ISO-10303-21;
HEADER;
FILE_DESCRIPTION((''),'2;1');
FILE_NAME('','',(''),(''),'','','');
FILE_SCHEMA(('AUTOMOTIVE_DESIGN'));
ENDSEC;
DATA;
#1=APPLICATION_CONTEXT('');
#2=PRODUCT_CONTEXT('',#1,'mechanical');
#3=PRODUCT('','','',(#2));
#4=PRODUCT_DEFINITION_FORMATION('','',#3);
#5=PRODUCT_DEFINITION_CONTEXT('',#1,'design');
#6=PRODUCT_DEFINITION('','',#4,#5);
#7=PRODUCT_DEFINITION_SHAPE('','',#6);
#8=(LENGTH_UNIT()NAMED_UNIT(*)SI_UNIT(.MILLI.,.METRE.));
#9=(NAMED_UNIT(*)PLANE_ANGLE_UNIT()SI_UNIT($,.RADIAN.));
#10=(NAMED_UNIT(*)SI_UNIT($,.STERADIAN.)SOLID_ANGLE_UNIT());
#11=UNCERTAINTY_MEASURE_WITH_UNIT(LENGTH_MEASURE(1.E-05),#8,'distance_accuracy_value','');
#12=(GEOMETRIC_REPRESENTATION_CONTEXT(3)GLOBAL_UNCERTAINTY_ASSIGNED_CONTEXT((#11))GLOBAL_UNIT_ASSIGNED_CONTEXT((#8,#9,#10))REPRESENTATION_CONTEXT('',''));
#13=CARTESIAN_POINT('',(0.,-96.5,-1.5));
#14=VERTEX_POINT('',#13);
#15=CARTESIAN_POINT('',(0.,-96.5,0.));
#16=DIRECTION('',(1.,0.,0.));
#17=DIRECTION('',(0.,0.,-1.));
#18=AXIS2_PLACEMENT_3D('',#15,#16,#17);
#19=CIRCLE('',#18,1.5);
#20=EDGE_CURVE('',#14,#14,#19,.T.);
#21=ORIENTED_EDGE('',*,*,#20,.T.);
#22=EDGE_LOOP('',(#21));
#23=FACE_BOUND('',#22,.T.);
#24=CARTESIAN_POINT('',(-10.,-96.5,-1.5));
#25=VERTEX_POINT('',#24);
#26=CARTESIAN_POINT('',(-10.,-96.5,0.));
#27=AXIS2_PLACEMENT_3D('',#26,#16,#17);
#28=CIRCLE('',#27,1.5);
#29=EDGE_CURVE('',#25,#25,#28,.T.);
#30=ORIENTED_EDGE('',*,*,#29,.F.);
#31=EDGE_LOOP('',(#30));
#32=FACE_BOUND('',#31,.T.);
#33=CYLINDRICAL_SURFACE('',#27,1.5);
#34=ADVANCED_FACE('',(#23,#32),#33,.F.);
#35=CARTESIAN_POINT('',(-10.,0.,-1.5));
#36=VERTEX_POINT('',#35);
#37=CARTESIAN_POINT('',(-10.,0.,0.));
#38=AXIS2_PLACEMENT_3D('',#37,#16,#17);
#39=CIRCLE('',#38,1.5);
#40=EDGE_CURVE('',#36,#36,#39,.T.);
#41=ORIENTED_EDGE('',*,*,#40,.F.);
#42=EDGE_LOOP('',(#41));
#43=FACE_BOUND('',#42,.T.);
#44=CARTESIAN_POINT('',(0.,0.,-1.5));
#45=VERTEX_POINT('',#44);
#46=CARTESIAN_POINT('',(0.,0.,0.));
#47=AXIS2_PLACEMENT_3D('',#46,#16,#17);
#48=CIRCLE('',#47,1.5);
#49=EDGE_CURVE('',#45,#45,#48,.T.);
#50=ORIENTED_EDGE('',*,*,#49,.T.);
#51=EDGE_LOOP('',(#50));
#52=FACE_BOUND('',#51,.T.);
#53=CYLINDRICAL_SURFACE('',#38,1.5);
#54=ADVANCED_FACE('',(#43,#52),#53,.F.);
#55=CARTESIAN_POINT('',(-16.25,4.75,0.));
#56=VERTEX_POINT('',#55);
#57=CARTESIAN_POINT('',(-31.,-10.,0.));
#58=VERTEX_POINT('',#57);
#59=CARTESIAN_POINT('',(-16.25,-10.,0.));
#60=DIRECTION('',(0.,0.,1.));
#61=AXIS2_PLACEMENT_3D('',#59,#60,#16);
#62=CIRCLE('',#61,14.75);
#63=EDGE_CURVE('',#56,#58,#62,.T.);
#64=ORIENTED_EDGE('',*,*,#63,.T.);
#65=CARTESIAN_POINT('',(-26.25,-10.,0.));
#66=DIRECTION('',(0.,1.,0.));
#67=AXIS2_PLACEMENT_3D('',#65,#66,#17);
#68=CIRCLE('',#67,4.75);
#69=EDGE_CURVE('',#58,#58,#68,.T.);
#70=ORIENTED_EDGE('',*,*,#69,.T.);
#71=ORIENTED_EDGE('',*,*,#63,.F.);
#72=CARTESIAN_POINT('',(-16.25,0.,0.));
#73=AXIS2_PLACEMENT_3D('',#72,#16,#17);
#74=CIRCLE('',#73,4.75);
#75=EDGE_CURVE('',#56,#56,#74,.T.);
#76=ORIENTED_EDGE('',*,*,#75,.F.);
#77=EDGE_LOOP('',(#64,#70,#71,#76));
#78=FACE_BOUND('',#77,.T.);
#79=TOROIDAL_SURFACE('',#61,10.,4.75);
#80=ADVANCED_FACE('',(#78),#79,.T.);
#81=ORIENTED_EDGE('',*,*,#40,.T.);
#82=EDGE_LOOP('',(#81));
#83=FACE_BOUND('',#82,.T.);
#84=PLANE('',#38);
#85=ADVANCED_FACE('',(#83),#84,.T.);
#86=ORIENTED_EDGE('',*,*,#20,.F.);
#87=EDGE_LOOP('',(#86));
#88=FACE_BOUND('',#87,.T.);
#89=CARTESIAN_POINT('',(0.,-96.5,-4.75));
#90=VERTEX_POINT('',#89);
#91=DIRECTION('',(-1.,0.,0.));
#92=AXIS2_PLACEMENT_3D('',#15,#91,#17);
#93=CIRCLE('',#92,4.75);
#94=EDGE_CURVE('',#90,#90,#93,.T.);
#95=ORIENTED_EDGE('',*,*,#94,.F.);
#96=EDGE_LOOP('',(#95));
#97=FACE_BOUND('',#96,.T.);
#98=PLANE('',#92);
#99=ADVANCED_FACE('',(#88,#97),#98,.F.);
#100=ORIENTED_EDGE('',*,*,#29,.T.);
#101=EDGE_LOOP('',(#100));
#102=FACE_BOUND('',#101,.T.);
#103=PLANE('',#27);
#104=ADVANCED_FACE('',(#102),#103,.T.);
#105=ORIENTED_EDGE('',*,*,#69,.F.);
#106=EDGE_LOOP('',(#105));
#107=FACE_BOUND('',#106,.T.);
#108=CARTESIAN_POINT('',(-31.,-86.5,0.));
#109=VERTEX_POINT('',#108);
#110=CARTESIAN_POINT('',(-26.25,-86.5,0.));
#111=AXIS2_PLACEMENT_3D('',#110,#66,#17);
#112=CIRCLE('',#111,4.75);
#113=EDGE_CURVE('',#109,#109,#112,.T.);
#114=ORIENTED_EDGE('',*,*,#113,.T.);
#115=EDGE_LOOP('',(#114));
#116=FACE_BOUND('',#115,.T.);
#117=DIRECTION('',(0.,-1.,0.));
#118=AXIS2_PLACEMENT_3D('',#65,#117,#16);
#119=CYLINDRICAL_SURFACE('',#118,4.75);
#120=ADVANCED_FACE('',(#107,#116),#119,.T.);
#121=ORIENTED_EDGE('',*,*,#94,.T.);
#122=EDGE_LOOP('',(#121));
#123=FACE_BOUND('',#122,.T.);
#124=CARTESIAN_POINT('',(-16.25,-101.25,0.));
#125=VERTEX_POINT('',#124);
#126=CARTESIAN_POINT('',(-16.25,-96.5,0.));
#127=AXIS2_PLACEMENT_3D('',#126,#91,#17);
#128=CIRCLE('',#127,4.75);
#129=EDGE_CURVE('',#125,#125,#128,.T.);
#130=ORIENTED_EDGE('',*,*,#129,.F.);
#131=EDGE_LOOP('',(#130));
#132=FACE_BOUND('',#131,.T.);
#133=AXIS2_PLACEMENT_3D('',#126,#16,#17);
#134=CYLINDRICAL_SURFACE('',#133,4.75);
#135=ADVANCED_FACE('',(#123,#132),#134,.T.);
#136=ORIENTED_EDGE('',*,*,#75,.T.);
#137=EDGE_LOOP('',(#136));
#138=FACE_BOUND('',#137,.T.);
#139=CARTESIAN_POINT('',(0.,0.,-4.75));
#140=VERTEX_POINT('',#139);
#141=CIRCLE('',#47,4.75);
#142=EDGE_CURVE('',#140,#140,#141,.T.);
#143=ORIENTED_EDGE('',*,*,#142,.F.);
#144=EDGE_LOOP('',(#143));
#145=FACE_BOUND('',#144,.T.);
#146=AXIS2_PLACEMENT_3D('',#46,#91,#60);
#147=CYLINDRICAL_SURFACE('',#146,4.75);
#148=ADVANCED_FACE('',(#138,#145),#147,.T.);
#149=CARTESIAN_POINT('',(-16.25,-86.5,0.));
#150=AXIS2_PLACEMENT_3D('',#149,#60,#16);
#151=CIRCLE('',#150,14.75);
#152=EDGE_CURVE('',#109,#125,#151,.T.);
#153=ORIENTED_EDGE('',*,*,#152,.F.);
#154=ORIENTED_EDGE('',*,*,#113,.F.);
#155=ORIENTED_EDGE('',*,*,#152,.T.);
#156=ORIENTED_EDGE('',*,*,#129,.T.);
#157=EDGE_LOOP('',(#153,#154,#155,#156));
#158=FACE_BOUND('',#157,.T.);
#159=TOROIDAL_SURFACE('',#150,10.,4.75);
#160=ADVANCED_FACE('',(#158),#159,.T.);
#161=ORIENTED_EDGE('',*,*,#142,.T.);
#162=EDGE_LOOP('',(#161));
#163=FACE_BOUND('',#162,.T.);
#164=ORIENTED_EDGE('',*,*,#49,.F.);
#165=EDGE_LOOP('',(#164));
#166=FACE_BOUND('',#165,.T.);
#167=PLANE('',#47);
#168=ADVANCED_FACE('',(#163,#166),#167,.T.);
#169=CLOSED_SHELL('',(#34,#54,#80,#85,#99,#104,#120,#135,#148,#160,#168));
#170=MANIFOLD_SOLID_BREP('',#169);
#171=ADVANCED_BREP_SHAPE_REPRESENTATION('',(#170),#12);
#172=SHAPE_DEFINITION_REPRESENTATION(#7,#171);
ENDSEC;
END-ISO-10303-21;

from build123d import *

# Parameters (mm, degrees)
ESBO_O2_R             = 4.75
ESBO_O3_R             = 1.5
CORTE_EXTRUS_O1_DEPTH = 10


with BuildPart() as part:
    # Varredura1: sweep along a path in Esboço1
    with BuildLine(Plane.XY) as varredura1_path:
        Line((0, 0), (-16.25, 0))
        ThreePointArc((-16.25, 0), (-23.321067812, -2.928932188), (-26.25, -10))
        Line((-26.25, -10), (-26.25, -86.5))
        ThreePointArc((-26.25, -86.5), (-23.321067812, -93.571067812), (-16.25, -96.5))
        Line((-16.25, -96.5), (0, -96.5))
    # Esboço2 → Varredura1 (sweep)
    with BuildSketch(Plane(origin=(0, 0, 0), x_dir=(0, 0, -1), z_dir=(1, 0, 0))):
        Circle(ESBO_O2_R)
    sweep(path=varredura1_path.line)

    # Esboço3 → Corte-extrusão1 (cut)
    with BuildSketch(Plane(origin=(0, 0, 0), x_dir=(0, 0, -1), z_dir=(1, 0, 0))):
        Circle(ESBO_O3_R)
        with Locations((0, -96.5)):
            Circle(ESBO_O3_R)
    extrude(amount=-CORTE_EXTRUS_O1_DEPTH, mode=Mode.SUBTRACT)


solid = part.part
